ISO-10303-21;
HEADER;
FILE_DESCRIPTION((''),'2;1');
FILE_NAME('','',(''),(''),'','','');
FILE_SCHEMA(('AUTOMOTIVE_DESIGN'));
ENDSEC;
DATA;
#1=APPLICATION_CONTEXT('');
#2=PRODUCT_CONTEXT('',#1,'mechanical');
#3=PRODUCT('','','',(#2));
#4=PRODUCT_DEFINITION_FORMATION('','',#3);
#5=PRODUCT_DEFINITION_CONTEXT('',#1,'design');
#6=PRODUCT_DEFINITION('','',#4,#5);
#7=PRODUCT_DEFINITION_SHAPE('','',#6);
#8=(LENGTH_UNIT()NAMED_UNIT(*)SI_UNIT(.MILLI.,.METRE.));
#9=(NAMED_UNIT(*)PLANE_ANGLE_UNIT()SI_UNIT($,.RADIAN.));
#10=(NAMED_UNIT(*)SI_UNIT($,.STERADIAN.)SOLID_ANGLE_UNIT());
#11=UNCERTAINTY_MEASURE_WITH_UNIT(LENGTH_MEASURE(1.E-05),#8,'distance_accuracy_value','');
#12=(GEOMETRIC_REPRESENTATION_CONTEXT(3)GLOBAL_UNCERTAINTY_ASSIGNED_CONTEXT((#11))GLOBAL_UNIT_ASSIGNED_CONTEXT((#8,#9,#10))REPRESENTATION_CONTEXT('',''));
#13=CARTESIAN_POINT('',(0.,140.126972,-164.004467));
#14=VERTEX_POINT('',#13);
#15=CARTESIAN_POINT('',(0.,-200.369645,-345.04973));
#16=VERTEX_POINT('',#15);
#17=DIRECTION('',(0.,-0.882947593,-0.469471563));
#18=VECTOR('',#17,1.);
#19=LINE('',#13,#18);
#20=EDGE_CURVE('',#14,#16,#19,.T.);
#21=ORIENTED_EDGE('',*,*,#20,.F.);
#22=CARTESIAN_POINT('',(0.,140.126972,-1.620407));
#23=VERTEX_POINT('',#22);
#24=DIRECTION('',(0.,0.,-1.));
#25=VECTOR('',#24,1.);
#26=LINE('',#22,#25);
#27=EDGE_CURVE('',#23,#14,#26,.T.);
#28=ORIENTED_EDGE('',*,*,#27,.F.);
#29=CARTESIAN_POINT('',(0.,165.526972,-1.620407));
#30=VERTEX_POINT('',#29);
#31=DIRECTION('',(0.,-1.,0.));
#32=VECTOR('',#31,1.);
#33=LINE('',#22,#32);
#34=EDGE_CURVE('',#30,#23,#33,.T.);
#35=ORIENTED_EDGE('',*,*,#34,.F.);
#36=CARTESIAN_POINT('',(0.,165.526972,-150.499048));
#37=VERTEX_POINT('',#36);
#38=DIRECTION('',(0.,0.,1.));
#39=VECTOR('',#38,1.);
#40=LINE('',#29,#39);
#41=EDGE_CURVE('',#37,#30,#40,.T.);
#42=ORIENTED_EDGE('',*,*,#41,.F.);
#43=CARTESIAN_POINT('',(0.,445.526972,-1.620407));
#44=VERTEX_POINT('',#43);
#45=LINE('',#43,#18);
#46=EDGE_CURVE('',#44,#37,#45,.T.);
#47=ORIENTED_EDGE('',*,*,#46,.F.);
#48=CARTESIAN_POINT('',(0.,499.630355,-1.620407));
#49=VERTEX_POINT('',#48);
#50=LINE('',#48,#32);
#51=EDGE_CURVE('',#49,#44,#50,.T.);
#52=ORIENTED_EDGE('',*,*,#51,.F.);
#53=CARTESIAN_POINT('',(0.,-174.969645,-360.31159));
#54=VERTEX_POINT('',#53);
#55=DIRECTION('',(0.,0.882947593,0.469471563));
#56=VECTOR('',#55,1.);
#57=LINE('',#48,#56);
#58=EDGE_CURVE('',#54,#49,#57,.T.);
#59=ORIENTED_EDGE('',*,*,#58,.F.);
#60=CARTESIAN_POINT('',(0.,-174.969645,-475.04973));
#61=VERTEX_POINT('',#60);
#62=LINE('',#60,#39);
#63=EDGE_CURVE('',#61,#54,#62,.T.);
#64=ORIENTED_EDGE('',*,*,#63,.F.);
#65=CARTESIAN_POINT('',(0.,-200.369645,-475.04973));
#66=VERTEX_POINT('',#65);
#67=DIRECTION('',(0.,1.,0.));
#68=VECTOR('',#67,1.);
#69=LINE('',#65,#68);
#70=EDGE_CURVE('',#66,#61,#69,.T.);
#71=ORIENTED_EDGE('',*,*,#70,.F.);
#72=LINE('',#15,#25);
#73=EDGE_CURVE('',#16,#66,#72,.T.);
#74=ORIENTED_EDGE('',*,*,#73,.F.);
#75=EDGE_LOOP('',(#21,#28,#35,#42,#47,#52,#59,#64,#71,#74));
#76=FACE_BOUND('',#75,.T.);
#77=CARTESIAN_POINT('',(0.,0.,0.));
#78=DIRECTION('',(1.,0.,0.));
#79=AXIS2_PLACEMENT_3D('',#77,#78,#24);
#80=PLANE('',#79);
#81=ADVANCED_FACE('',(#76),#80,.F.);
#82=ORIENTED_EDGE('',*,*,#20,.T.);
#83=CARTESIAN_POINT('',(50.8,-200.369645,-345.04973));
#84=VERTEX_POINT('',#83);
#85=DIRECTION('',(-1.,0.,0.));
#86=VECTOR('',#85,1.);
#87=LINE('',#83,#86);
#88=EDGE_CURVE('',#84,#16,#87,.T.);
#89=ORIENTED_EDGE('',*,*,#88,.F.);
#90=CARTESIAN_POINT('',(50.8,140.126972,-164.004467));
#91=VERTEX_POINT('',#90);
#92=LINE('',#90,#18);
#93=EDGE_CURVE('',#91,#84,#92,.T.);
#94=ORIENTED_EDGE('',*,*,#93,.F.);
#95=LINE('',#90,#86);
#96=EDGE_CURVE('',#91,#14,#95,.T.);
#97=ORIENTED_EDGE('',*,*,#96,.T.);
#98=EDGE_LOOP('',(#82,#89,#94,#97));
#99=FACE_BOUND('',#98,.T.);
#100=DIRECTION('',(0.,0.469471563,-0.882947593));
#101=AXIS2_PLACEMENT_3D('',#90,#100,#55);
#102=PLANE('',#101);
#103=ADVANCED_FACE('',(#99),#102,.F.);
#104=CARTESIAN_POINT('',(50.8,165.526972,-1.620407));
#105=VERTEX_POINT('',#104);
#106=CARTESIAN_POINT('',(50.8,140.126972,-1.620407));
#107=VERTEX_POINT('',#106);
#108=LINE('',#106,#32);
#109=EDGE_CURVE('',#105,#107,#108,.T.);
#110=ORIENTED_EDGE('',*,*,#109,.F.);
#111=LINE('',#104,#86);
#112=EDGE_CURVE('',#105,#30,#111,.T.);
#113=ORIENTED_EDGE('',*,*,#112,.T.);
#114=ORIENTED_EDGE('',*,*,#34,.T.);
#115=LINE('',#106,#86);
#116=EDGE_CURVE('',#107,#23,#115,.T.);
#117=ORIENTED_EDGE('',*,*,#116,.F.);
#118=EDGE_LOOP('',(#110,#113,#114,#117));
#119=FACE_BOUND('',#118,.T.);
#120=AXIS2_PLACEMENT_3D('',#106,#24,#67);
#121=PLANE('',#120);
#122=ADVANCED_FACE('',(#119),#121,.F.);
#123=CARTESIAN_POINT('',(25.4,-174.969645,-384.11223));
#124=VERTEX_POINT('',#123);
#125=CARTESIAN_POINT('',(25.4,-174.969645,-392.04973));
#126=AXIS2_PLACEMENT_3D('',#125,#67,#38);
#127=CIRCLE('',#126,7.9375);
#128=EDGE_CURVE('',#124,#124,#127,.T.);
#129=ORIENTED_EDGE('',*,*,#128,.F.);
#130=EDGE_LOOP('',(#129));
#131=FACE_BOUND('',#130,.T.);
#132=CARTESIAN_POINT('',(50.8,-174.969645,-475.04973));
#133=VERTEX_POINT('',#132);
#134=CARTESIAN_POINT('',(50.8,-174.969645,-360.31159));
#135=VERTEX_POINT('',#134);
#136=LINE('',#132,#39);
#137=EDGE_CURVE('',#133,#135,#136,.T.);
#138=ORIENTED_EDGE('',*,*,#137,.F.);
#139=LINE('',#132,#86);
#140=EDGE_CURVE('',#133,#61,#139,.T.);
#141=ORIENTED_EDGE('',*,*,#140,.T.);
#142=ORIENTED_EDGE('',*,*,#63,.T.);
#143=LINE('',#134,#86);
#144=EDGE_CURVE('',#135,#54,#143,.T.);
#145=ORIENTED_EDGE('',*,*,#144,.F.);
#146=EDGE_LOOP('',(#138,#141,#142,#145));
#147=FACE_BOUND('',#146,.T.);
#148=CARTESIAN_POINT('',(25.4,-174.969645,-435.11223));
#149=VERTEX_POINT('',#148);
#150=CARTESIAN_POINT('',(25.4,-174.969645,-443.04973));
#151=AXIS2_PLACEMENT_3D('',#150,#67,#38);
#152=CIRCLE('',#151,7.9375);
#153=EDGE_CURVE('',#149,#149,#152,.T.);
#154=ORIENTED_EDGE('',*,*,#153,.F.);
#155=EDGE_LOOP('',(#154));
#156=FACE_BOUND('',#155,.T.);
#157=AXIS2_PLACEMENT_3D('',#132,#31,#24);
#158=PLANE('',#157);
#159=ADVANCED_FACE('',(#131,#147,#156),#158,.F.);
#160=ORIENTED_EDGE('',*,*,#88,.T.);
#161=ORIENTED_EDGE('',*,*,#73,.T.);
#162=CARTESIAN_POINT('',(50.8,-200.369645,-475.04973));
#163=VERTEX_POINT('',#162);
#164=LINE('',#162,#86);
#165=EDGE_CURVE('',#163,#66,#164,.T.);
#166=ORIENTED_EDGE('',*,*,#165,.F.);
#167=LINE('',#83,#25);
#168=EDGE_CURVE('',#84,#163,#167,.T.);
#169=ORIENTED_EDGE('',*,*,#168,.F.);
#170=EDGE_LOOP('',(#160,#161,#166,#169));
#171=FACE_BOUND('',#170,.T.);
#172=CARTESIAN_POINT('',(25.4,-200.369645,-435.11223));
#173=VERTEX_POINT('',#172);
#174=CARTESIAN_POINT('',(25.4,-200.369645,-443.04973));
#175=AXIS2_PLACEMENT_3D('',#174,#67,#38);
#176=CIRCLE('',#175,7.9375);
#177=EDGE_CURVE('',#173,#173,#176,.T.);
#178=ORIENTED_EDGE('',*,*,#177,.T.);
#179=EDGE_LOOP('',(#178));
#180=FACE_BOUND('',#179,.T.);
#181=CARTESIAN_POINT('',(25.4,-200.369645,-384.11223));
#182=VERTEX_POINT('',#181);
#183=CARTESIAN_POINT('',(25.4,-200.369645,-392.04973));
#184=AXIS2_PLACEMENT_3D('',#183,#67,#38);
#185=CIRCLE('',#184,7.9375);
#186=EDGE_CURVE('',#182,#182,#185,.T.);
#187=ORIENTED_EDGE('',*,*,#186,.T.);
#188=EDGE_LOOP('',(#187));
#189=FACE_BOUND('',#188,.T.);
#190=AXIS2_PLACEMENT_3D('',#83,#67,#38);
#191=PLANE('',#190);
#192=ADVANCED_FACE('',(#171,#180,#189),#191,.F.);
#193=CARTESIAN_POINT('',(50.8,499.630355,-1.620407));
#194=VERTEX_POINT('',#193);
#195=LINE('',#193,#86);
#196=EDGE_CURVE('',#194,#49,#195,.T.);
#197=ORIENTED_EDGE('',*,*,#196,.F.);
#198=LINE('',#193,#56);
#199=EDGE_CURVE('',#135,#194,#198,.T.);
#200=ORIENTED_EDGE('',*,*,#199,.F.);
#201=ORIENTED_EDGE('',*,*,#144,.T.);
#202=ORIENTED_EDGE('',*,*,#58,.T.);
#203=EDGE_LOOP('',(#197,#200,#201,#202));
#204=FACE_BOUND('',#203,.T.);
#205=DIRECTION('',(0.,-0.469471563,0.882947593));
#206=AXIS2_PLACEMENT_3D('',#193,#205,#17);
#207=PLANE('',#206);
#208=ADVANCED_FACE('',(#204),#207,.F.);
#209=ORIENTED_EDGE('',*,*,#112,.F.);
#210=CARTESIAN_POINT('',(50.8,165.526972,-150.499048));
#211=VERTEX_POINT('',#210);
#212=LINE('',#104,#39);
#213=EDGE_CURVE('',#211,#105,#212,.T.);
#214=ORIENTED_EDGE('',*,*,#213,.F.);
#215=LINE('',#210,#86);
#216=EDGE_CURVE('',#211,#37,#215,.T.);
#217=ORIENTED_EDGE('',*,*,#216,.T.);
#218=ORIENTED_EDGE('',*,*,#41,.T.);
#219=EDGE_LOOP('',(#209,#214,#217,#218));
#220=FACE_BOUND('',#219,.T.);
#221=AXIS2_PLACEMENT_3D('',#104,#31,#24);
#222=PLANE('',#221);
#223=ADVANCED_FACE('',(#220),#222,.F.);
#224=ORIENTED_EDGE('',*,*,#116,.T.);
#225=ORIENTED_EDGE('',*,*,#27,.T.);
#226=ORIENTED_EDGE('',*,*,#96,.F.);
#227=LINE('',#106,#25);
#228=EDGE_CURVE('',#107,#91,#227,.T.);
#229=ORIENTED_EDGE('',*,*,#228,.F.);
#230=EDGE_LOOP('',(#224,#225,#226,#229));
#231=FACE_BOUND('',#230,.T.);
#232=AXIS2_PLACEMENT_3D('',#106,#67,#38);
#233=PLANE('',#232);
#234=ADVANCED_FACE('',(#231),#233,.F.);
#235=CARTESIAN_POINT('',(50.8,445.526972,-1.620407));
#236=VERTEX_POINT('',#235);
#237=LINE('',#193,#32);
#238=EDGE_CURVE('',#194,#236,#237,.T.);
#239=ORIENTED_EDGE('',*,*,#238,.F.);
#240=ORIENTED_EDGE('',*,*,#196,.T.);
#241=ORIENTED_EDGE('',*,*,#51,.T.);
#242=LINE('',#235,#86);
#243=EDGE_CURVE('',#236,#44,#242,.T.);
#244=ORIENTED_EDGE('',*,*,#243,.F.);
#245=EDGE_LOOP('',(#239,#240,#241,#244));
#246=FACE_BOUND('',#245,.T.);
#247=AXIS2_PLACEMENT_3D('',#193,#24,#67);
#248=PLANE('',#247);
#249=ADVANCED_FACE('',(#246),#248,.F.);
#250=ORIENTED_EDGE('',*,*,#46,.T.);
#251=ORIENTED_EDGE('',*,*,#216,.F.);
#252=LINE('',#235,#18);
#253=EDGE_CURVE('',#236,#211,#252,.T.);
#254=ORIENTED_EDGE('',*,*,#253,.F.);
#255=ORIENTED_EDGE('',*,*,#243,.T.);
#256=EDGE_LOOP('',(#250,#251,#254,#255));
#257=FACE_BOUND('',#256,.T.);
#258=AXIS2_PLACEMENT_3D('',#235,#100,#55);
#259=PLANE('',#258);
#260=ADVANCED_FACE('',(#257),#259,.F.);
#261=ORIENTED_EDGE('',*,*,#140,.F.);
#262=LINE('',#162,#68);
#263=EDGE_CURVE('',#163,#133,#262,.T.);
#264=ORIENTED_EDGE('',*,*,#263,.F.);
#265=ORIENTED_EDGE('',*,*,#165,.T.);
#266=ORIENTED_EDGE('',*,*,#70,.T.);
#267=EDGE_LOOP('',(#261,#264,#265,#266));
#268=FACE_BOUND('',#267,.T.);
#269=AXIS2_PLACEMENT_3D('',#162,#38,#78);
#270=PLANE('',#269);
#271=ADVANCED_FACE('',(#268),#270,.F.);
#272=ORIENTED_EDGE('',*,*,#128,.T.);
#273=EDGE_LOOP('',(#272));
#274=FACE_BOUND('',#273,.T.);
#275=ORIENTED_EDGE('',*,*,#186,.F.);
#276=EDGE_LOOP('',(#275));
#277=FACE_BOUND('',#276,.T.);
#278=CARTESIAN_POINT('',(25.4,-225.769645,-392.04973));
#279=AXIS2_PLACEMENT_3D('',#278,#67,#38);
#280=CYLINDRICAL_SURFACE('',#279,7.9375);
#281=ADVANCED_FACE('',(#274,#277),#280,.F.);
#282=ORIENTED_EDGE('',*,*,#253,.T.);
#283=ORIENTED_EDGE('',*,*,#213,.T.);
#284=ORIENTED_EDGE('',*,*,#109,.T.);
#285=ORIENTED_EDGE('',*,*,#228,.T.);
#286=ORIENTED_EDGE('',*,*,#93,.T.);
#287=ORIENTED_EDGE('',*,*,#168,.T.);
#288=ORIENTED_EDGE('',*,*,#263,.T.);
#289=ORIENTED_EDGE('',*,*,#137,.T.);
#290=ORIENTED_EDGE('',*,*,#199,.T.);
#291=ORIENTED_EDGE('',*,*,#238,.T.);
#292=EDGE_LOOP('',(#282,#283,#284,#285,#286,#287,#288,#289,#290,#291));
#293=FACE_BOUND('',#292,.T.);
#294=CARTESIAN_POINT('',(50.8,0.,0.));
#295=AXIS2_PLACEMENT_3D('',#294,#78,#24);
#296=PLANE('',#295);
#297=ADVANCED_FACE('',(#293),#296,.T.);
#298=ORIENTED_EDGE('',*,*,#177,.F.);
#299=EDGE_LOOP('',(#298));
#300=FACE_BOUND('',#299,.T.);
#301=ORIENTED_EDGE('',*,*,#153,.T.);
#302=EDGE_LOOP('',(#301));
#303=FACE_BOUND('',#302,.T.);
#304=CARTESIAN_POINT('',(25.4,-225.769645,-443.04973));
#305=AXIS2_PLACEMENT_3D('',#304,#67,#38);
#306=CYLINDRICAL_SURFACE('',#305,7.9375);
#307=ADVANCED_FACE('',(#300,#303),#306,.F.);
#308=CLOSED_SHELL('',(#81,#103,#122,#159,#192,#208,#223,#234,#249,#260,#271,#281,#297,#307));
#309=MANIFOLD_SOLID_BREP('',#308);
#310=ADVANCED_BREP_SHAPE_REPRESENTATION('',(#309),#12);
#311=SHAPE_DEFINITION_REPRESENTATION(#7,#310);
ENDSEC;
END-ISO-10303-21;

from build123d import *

# Parameters (mm, degrees)
SALIENTE_EXTRUIR1_DEPTH = 50.8
CROQUIS3_R              = 7.9375
CORTAR_EXTRUIR1_DEPTH   = 50.8


with BuildPart() as part:
    # Croquis2 → Saliente-Extruir1 (new body)
    with BuildSketch(Plane(origin=(0, 0, 0), x_dir=(0, 0, -1), z_dir=(1, 0, 0))):
        Polygon((1.620406934, 499.6303555), (360.311589533, -174.9696445), (475.049729809, -174.9696445), (475.049729809, -200.3696445), (345.049729809, -200.3696445), (164.004467363, 140.126972008), (1.620406934, 140.126972008), (1.620406934, 165.526972008), (150.499047799, 165.526972008), (1.620406934, 445.526972008), align=None)
    extrude(amount=SALIENTE_EXTRUIR1_DEPTH)

    # Croquis3 → Cortar-Extruir1 (cut)
    with BuildSketch(Plane(origin=(0, -174.9696445, 0), x_dir=(1, 0, 0), z_dir=(0, 1, 0))):
        with Locations(Location((25.4, 443.049729809, 0), (0, 0, 270))):
            Circle(CROQUIS3_R)
        with Locations(Location((25.4, 392.049729809, 0), (0, 0, 270))):
            Circle(CROQUIS3_R)
    extrude(amount=-CORTAR_EXTRUIR1_DEPTH, mode=Mode.SUBTRACT)


solid = part.part
